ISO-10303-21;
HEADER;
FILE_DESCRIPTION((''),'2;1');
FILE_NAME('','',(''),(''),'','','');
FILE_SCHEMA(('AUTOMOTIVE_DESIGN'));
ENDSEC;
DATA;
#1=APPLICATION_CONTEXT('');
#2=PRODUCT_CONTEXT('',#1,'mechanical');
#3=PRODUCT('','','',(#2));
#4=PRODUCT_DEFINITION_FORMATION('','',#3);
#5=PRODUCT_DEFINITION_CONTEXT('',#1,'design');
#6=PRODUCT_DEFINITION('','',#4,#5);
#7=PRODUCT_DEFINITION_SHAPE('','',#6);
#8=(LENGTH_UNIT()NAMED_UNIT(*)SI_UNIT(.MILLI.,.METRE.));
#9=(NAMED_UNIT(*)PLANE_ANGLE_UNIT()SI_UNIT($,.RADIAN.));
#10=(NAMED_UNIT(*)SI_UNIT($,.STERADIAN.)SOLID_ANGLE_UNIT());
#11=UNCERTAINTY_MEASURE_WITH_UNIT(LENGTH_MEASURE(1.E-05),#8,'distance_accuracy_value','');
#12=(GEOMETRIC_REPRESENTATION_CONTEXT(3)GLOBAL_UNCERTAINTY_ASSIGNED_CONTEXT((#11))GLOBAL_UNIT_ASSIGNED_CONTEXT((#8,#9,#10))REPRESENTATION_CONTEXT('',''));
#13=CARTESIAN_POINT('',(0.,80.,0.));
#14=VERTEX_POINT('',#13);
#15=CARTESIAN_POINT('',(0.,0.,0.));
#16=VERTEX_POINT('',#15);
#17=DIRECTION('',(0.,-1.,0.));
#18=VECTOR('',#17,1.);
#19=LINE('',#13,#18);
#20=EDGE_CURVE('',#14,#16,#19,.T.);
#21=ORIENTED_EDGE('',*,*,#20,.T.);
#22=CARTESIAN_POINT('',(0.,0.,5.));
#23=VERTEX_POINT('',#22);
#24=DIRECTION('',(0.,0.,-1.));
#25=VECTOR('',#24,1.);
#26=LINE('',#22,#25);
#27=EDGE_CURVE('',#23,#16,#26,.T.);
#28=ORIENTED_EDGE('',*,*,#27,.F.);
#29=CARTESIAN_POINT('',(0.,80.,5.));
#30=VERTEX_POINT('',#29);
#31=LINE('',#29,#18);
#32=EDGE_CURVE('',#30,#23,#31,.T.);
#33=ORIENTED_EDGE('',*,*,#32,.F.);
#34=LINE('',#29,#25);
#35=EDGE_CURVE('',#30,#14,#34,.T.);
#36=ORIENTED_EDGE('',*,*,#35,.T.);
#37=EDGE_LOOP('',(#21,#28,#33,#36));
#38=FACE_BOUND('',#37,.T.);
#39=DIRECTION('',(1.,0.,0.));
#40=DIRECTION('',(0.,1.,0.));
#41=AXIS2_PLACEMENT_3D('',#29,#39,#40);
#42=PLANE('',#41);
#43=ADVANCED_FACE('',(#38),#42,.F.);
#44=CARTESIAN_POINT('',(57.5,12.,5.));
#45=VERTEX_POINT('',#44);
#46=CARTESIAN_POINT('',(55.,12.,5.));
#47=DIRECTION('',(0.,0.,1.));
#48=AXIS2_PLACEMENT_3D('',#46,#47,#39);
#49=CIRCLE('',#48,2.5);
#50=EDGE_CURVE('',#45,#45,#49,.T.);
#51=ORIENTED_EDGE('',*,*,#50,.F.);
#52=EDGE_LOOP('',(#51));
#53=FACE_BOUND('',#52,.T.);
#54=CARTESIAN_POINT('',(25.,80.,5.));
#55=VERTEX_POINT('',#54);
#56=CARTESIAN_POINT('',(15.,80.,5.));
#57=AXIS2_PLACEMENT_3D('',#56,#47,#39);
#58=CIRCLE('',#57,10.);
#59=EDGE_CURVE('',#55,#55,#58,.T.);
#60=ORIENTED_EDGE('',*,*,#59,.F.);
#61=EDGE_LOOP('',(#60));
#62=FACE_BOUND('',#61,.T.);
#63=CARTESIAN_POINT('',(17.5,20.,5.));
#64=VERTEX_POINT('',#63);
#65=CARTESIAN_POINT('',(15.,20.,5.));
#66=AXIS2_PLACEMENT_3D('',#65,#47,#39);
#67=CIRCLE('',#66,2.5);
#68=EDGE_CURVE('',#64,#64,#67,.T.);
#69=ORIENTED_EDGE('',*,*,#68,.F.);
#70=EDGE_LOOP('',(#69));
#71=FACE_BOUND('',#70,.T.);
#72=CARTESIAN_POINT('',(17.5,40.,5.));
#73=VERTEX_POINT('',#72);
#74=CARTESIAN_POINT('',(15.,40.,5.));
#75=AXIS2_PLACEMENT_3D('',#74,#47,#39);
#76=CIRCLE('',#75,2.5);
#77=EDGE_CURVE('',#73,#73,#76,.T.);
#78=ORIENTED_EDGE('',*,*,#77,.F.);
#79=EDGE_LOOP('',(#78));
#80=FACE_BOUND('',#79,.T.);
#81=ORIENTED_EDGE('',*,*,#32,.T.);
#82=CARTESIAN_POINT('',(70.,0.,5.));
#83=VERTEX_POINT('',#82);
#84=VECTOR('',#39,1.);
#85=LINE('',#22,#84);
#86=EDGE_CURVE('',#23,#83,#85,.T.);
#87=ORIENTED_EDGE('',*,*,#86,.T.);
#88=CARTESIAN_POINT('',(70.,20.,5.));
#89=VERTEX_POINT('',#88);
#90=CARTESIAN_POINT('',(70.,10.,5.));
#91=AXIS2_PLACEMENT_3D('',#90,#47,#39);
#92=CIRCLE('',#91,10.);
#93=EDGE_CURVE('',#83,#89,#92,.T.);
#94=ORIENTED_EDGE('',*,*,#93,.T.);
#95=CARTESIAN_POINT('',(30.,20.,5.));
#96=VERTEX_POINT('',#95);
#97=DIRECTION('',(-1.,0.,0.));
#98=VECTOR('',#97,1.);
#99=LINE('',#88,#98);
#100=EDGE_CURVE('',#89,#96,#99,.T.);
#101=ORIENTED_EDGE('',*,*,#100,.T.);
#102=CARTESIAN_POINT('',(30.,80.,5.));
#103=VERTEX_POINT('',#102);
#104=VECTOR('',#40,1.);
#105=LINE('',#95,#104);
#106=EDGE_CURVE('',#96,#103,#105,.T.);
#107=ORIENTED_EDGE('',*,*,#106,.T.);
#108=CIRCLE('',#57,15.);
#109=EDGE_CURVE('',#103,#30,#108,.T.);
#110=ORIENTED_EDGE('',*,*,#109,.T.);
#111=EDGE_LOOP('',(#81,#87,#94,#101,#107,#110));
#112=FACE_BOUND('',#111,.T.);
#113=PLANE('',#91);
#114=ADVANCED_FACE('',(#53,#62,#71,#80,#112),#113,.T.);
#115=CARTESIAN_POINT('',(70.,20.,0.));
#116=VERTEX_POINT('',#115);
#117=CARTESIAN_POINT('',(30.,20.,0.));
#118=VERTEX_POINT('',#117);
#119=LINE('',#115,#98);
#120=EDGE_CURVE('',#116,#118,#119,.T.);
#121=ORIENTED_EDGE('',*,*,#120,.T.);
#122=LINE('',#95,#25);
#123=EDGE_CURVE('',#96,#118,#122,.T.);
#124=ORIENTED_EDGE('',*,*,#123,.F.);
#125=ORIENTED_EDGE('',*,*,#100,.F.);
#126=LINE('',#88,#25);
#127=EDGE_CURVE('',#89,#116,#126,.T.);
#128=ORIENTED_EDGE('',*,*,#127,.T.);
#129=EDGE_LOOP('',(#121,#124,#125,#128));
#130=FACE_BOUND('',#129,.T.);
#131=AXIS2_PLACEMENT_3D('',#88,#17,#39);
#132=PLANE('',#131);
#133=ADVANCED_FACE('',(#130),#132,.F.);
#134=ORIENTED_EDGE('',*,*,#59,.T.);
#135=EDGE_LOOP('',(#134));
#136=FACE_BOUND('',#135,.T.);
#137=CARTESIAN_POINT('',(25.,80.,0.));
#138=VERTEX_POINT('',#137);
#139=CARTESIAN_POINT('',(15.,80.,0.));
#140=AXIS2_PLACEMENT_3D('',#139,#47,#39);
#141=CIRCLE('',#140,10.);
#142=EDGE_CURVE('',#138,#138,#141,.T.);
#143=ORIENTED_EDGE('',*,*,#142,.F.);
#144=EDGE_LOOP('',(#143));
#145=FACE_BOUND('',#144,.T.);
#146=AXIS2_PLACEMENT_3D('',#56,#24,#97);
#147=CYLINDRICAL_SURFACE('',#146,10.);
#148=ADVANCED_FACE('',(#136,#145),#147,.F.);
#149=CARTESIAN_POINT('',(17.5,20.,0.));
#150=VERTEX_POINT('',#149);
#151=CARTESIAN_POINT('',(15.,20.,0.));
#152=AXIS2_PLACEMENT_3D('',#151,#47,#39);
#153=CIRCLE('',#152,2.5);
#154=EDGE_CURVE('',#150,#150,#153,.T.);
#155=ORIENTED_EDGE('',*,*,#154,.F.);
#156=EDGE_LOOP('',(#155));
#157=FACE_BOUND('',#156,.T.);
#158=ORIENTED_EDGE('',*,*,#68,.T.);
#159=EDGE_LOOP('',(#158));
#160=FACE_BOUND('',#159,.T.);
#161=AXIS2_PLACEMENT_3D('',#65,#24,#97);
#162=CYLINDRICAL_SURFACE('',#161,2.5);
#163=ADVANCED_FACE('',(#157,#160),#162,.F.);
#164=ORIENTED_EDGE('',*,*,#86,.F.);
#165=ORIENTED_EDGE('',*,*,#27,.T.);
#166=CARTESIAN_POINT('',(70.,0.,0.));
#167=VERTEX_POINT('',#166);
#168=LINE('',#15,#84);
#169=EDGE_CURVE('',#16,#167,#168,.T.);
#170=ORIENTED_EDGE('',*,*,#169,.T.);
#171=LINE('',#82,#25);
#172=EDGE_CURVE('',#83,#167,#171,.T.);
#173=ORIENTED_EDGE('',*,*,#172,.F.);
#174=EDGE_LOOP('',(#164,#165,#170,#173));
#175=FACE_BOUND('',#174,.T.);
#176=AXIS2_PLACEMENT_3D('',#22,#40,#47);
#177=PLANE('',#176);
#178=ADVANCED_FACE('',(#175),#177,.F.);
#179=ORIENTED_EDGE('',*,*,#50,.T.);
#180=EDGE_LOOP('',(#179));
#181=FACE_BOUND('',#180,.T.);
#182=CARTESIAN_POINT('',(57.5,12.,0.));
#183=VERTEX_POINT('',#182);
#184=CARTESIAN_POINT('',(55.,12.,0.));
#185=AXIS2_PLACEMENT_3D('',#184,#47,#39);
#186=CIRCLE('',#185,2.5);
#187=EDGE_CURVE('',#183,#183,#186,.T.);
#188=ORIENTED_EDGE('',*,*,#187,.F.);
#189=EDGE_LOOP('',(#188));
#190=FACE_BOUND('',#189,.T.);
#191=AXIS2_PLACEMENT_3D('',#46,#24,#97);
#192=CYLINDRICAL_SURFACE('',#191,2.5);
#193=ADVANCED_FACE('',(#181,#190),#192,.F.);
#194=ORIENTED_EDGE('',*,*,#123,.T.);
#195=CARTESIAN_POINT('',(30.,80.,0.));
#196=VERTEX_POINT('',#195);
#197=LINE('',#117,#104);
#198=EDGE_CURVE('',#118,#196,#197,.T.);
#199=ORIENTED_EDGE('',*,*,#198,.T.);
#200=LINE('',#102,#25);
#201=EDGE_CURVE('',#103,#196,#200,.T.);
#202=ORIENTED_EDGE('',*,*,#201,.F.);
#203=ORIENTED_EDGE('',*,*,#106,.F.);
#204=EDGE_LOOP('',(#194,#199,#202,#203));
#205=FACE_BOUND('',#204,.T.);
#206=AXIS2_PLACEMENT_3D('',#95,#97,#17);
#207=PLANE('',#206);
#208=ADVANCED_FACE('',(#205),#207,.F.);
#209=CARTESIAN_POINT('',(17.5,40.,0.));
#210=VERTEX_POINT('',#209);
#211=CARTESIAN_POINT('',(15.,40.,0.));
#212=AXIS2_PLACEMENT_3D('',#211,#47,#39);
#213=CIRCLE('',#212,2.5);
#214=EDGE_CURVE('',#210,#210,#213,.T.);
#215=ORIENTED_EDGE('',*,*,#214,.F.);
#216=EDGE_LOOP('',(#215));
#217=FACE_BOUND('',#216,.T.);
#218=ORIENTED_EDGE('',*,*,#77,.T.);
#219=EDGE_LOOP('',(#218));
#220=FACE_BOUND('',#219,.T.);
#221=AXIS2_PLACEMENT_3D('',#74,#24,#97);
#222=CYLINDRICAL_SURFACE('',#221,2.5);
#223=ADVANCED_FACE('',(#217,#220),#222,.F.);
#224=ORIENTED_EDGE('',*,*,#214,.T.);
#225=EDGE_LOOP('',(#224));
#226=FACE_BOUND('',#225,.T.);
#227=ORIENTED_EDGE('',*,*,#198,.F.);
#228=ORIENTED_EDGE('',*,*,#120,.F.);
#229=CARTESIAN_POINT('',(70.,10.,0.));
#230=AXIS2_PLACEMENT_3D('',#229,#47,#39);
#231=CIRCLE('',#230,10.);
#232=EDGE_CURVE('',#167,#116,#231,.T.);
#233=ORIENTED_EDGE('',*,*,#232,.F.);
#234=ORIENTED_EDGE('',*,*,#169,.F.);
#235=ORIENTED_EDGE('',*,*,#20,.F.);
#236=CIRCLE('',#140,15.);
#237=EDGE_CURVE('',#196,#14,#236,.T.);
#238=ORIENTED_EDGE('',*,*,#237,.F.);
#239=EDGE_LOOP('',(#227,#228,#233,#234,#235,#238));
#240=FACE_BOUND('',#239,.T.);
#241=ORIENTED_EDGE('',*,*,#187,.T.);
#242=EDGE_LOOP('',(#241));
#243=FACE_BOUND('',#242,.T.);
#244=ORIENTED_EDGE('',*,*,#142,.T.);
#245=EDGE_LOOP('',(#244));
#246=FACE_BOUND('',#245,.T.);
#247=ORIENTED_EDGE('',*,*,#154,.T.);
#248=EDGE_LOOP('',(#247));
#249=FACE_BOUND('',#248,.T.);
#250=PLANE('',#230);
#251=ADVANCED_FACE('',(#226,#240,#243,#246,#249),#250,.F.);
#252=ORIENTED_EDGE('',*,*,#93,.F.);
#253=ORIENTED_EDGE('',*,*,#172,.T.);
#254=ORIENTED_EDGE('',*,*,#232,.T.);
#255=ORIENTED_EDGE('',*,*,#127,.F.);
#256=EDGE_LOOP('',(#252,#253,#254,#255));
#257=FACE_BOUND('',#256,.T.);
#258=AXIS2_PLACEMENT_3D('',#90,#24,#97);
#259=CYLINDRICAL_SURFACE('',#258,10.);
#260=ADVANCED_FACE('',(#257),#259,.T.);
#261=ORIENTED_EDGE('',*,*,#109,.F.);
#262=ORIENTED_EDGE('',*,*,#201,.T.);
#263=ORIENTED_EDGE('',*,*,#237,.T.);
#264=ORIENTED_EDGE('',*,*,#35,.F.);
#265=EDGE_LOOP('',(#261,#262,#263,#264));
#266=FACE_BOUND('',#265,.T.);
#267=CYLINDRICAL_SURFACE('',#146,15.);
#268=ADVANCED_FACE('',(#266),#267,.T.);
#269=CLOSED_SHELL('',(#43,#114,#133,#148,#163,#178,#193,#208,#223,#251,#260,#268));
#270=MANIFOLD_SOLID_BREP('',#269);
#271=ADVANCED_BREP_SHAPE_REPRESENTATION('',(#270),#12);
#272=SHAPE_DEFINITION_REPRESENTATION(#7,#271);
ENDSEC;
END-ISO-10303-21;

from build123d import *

# Parameters (mm, degrees)
SKETCH2_R           = 10
SKETCH2_R_2         = 2.5
BOSS_EXTRUDE1_DEPTH = 5


with BuildPart() as part:
    # Sketch2 → Boss-Extrude1 (new body)
    with BuildSketch(Plane.XY):
        with BuildLine():
            Line((0, 0), (70, 0))
            ThreePointArc((70, 0), (80, 10), (70, 20))
            Line((70, 20), (30, 20))
            Line((30, 20), (30, 80))
            ThreePointArc((30, 80), (15, 95), (0, 80))
            Line((0, 80), (0, 0))
        make_face()
        with Locations((15, 80)):
            Circle(SKETCH2_R, mode=Mode.SUBTRACT)
        with Locations((15, 20)):
            Circle(SKETCH2_R_2, mode=Mode.SUBTRACT)
        with Locations((15, 40)):
            Circle(SKETCH2_R_2, mode=Mode.SUBTRACT)
        with Locations((55, 12)):
            Circle(SKETCH2_R_2, mode=Mode.SUBTRACT)
    extrude(amount=BOSS_EXTRUDE1_DEPTH)


solid = part.part
